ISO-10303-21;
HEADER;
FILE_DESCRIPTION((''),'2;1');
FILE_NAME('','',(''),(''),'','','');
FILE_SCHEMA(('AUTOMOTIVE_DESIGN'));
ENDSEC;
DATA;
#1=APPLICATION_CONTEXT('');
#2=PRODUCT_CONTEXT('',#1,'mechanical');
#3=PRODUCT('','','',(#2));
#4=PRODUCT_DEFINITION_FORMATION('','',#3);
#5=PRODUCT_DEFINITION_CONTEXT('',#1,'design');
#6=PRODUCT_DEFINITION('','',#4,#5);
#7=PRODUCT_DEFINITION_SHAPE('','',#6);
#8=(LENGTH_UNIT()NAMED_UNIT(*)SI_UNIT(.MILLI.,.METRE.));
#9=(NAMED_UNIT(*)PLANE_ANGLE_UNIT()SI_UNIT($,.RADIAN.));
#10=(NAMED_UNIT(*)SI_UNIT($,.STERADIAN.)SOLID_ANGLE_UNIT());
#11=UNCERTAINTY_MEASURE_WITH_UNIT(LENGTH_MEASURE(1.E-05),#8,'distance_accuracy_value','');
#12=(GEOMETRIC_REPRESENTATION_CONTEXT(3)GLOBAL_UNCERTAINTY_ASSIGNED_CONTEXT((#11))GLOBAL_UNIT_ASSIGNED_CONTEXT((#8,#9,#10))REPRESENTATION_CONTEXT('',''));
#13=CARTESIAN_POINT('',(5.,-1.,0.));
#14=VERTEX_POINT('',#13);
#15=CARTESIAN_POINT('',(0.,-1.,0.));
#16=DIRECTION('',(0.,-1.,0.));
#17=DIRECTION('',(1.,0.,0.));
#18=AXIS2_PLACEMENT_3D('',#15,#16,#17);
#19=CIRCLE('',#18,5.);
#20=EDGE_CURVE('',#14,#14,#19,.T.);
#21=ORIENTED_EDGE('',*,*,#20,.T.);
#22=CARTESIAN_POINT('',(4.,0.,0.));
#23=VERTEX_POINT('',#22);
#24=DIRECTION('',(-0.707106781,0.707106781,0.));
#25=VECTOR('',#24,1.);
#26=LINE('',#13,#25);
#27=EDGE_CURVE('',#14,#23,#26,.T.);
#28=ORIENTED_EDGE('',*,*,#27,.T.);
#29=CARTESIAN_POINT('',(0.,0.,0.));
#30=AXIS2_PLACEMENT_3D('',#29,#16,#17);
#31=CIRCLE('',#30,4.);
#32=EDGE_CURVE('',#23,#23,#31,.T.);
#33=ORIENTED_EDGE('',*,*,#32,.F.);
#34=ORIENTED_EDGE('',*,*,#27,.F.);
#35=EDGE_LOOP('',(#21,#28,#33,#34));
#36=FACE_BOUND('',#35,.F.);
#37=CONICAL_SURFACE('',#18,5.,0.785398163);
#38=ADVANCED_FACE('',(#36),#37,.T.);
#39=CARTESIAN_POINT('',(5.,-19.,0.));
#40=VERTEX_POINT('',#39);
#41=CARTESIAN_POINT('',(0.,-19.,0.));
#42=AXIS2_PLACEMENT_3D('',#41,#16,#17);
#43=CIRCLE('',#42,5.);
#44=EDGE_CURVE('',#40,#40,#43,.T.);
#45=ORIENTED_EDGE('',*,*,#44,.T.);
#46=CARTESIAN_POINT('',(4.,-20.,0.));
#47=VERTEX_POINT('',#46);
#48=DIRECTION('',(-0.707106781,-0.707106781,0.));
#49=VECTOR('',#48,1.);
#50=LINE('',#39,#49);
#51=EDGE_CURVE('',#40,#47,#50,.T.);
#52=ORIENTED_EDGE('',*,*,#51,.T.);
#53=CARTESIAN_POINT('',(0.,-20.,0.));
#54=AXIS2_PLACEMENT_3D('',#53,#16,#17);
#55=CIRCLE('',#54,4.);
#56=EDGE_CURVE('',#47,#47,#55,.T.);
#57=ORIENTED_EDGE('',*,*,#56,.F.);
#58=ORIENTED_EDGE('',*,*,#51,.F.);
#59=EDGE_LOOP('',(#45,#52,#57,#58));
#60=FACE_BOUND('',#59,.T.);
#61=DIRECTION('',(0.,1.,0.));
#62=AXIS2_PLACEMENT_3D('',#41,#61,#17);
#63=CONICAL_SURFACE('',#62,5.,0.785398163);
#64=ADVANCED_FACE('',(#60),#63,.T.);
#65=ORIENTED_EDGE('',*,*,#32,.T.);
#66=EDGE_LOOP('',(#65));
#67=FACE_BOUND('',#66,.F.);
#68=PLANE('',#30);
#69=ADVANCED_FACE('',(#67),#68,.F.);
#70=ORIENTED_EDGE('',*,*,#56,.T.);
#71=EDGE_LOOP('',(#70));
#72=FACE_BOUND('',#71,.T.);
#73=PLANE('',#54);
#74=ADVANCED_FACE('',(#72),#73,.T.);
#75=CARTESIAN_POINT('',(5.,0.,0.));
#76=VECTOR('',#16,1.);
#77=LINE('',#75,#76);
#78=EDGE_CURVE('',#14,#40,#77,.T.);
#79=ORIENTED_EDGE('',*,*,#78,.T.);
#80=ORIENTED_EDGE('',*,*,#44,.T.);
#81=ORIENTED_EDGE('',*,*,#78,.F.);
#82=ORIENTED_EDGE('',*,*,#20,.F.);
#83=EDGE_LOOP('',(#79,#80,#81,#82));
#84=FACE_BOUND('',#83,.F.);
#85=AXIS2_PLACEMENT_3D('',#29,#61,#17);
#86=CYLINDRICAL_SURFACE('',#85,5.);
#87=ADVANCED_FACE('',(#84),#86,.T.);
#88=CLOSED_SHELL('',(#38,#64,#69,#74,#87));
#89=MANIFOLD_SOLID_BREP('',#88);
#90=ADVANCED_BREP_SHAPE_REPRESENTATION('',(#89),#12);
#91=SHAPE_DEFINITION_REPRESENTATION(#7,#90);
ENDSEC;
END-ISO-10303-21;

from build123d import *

# Parameters (mm, degrees)
F0_R     = 5
F1_DEPTH = 20
F2_SIZE  = 1
F3_SIZE  = 1


with BuildPart() as f1:
    # F0 (on Front) → F1 (new body)
    with BuildSketch(Plane.XZ):
        Circle(F0_R)
    extrude(amount=F1_DEPTH)

    # F2
    f2_edges = [f1.edges().sort_by_distance(p)[0] for p in [
        (-5, 0, 0),
    ]]
    chamfer(f2_edges, length=F2_SIZE)

    # F3
    f3_edges = [f1.edges().sort_by_distance(p)[0] for p in [
        (-5, -20, 0),
    ]]
    chamfer(f3_edges, length=F3_SIZE)


solid = f1.part
